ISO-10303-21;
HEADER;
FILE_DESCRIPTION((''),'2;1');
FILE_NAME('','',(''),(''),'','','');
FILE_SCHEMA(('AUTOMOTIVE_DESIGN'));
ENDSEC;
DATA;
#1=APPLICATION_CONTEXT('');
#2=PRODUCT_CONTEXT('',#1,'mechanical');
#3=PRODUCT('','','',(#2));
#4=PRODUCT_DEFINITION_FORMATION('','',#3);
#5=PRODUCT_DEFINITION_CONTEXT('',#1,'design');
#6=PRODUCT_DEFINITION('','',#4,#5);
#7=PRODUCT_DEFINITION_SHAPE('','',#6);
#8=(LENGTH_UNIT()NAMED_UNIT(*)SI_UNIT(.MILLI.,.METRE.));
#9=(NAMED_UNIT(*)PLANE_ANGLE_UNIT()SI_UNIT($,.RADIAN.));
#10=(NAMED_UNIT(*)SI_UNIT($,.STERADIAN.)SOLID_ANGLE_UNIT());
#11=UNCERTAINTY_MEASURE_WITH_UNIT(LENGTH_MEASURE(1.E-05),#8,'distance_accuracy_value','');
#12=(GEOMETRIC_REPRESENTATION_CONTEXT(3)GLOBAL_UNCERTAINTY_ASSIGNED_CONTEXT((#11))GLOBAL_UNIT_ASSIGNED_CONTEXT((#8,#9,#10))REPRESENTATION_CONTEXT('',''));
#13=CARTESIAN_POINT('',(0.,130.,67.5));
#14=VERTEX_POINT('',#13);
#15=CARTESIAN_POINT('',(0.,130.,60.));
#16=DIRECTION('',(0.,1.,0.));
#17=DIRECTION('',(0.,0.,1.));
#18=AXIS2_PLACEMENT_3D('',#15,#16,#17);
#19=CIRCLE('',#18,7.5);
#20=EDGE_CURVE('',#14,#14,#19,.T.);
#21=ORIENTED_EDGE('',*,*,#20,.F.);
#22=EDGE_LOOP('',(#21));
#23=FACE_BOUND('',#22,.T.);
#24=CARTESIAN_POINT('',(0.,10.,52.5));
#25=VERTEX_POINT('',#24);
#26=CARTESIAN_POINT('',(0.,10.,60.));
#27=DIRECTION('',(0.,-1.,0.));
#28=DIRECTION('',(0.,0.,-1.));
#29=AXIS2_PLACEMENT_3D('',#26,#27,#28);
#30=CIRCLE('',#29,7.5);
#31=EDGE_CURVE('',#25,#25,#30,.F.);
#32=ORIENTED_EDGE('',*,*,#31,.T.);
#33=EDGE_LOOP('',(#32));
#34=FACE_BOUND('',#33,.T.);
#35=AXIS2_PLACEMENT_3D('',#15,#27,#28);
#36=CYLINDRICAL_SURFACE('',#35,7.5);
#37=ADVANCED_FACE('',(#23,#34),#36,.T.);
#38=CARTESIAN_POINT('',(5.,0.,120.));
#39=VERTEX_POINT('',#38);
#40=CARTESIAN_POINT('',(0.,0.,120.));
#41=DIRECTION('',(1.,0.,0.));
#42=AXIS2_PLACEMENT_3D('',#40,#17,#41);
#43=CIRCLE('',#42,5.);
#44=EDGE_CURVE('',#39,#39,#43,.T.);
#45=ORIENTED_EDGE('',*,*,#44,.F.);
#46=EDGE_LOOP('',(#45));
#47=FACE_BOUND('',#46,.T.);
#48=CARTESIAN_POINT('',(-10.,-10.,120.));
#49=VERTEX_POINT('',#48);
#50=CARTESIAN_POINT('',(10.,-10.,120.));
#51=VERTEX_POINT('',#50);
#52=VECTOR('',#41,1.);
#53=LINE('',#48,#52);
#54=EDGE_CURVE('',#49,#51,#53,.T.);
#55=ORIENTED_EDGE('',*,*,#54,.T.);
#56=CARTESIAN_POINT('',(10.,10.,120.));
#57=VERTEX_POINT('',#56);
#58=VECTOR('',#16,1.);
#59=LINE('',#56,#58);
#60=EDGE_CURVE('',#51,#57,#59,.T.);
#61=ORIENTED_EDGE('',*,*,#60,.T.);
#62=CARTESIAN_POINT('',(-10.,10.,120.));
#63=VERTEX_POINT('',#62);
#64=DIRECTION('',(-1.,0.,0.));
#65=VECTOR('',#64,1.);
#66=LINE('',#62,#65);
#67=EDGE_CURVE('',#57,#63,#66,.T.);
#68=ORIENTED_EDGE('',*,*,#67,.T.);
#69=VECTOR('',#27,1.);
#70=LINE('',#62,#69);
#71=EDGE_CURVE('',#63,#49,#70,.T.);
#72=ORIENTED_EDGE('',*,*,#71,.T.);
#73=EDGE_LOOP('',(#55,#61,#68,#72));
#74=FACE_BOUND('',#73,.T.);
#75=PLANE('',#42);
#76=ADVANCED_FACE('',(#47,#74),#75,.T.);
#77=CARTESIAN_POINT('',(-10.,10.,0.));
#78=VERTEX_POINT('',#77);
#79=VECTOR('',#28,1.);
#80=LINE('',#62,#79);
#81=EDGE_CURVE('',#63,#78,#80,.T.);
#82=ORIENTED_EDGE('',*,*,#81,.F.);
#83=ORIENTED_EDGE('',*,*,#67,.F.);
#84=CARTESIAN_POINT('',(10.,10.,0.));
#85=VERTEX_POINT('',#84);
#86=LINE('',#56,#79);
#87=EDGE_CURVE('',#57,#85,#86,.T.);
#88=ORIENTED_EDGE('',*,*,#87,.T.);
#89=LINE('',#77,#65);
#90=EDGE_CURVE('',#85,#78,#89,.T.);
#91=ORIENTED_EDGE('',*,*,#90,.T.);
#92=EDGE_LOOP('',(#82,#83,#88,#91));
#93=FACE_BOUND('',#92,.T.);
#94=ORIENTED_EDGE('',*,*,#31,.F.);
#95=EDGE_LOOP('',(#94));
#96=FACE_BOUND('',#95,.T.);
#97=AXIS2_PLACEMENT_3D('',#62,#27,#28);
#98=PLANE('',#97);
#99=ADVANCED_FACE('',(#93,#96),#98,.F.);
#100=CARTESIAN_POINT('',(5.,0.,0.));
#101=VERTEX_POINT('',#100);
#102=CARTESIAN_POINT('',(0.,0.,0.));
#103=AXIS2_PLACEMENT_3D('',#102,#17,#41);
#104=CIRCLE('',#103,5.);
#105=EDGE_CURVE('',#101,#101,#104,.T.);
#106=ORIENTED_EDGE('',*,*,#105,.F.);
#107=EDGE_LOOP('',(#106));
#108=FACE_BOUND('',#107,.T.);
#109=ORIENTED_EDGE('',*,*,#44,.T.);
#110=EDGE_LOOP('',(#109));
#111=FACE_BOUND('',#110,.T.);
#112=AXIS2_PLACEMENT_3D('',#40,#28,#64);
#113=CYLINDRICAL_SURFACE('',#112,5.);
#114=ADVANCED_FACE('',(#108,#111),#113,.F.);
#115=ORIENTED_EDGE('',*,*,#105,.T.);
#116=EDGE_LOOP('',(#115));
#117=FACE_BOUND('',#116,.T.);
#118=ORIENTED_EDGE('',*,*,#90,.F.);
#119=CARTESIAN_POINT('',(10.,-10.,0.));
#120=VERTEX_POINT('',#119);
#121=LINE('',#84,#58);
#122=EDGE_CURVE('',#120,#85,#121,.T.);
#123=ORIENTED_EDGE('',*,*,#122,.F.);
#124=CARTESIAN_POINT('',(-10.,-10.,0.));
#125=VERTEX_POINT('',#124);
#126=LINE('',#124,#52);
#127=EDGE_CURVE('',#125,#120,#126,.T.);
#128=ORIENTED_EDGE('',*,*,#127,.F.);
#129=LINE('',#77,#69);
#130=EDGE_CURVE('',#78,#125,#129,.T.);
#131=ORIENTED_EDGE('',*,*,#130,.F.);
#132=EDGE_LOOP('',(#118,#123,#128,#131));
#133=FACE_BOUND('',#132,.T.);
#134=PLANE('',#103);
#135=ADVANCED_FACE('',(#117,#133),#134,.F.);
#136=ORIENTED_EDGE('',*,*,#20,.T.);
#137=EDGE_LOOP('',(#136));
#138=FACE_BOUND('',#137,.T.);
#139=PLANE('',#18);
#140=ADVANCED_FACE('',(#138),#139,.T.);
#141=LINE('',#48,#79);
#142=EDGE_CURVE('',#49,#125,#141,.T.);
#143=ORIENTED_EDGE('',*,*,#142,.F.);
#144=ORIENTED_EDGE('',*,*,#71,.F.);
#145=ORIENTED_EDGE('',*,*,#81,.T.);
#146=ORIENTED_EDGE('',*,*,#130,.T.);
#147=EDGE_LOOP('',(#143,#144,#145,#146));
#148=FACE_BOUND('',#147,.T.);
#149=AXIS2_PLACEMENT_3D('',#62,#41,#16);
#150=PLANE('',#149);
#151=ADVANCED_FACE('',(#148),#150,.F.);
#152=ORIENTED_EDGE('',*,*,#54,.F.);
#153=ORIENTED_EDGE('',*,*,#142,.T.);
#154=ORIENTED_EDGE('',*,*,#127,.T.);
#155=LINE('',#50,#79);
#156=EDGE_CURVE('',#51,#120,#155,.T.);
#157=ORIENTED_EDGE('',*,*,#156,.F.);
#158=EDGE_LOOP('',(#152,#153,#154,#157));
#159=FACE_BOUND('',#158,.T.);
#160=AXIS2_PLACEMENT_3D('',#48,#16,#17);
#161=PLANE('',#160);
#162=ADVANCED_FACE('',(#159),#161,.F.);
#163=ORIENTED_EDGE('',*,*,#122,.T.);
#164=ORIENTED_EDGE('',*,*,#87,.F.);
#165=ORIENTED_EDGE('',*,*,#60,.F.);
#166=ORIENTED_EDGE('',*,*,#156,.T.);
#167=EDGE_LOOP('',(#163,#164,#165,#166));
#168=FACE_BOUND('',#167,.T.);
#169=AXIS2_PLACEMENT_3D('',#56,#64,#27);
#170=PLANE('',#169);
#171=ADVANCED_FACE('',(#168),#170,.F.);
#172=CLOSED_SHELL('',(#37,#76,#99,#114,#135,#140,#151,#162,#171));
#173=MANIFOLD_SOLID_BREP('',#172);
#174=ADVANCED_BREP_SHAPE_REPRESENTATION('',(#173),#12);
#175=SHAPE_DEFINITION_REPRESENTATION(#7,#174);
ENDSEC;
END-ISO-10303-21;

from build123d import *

# Parameters (mm, degrees)
SKETCH1_W           = 20
SKETCH1_H           = 20
SKETCH1_R           = 5
BOSS_EXTRUDE1_DEPTH = 120
SKETCH2_R           = 7.5
BOSS_EXTRUDE2_DEPTH = 120


with BuildPart() as part:
    # Sketch1 → Boss-Extrude1 (new body)
    with BuildSketch(Plane.XY):
        Rectangle(SKETCH1_W, SKETCH1_H)
        Circle(SKETCH1_R, mode=Mode.SUBTRACT)
    extrude(amount=BOSS_EXTRUDE1_DEPTH)

    # Sketch2 → Boss-Extrude2 (add)
    with BuildSketch(Plane(origin=(0, 10, 0), x_dir=(1, 0, 0), z_dir=(0, 1, 0))):
        with Locations(Location((0, -60, 0), (0, 0, 90))):
            Circle(SKETCH2_R)
    extrude(amount=BOSS_EXTRUDE2_DEPTH)


solid = part.part
